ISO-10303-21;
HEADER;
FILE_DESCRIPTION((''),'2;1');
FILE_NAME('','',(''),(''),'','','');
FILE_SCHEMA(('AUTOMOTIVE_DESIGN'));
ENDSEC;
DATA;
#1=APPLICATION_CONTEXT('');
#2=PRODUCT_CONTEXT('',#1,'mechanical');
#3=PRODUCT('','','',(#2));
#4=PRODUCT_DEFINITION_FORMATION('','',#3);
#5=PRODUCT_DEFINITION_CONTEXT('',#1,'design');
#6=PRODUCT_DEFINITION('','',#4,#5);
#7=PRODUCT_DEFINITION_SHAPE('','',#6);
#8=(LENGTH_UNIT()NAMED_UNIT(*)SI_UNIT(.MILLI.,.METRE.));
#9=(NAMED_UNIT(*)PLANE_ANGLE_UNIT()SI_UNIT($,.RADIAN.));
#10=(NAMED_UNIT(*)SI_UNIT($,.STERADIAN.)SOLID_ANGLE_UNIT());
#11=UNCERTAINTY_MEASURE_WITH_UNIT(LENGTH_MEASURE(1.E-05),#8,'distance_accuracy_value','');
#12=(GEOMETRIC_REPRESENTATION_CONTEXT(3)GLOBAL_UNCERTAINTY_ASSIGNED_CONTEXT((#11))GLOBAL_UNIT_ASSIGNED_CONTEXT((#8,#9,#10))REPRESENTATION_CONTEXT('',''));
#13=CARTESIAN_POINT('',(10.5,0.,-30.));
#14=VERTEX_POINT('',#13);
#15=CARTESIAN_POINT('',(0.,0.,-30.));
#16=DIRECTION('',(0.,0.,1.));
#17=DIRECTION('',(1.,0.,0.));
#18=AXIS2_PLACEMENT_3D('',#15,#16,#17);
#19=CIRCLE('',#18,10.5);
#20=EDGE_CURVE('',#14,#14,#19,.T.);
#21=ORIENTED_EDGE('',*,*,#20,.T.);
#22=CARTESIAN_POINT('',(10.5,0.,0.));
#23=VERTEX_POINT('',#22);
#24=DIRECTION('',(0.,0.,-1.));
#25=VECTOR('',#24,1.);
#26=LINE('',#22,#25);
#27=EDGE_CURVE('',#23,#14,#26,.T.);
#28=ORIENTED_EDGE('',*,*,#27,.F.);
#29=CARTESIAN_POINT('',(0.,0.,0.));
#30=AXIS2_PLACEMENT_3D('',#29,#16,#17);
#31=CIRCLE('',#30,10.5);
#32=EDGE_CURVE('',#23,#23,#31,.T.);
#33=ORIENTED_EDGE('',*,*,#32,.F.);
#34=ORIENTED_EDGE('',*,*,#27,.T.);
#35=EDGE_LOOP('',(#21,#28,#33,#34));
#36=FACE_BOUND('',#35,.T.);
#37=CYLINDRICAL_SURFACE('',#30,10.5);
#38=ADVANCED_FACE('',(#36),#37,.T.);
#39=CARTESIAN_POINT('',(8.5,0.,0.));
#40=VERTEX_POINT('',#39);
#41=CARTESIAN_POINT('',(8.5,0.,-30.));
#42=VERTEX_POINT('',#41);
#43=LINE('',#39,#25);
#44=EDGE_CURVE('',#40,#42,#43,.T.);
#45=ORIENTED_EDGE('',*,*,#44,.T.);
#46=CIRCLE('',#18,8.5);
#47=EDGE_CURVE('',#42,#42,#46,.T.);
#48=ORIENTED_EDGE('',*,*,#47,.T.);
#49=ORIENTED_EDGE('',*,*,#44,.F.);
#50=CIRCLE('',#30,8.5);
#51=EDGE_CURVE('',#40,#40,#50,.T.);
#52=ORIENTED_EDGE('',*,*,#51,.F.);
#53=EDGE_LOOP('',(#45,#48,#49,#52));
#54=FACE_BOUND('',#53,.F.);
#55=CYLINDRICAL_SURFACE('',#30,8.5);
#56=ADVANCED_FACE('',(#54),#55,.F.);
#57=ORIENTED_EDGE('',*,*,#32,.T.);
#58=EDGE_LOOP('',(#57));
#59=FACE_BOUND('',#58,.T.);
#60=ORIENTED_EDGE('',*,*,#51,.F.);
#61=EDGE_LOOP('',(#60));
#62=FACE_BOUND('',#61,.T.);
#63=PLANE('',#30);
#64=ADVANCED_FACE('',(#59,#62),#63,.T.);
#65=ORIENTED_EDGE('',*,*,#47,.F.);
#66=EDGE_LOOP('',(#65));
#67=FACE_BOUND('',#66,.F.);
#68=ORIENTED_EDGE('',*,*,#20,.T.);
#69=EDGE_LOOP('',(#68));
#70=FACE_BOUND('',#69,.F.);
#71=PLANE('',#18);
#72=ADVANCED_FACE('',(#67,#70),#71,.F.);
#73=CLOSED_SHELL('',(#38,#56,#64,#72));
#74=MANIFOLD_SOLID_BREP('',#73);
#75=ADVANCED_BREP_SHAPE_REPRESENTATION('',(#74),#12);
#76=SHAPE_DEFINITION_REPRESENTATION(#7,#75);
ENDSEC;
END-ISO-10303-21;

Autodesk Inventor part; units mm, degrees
ref_plane "YZ Plane" through (0, 0, 0) normal (1, 0, 0) x (0, 1, 0)
ref_plane "XZ Plane" through (0, 0, 0) normal (0, 1, 0) x (-1, 0, 0)
ref_plane "XY Plane" through (0, 0, 0) normal (0, 0, 1) x (1, 0, 0)
sketch "Sketch11" plane through (0, 0, 0) normal (0, 0, 1) x (1, 0, 0)
  circle A0 centre (0, 0) radius 10.5
  circle A1 centre (0, 0) radius 8.5
  dimension "d187" = 21
  dimension "d188" = 2
extrude "Extrusion5" add sketch "Sketch11" against normal blind 30
properties part number "TZS 1687 FDS 940 way tube 7" material "Stainless Steel"
